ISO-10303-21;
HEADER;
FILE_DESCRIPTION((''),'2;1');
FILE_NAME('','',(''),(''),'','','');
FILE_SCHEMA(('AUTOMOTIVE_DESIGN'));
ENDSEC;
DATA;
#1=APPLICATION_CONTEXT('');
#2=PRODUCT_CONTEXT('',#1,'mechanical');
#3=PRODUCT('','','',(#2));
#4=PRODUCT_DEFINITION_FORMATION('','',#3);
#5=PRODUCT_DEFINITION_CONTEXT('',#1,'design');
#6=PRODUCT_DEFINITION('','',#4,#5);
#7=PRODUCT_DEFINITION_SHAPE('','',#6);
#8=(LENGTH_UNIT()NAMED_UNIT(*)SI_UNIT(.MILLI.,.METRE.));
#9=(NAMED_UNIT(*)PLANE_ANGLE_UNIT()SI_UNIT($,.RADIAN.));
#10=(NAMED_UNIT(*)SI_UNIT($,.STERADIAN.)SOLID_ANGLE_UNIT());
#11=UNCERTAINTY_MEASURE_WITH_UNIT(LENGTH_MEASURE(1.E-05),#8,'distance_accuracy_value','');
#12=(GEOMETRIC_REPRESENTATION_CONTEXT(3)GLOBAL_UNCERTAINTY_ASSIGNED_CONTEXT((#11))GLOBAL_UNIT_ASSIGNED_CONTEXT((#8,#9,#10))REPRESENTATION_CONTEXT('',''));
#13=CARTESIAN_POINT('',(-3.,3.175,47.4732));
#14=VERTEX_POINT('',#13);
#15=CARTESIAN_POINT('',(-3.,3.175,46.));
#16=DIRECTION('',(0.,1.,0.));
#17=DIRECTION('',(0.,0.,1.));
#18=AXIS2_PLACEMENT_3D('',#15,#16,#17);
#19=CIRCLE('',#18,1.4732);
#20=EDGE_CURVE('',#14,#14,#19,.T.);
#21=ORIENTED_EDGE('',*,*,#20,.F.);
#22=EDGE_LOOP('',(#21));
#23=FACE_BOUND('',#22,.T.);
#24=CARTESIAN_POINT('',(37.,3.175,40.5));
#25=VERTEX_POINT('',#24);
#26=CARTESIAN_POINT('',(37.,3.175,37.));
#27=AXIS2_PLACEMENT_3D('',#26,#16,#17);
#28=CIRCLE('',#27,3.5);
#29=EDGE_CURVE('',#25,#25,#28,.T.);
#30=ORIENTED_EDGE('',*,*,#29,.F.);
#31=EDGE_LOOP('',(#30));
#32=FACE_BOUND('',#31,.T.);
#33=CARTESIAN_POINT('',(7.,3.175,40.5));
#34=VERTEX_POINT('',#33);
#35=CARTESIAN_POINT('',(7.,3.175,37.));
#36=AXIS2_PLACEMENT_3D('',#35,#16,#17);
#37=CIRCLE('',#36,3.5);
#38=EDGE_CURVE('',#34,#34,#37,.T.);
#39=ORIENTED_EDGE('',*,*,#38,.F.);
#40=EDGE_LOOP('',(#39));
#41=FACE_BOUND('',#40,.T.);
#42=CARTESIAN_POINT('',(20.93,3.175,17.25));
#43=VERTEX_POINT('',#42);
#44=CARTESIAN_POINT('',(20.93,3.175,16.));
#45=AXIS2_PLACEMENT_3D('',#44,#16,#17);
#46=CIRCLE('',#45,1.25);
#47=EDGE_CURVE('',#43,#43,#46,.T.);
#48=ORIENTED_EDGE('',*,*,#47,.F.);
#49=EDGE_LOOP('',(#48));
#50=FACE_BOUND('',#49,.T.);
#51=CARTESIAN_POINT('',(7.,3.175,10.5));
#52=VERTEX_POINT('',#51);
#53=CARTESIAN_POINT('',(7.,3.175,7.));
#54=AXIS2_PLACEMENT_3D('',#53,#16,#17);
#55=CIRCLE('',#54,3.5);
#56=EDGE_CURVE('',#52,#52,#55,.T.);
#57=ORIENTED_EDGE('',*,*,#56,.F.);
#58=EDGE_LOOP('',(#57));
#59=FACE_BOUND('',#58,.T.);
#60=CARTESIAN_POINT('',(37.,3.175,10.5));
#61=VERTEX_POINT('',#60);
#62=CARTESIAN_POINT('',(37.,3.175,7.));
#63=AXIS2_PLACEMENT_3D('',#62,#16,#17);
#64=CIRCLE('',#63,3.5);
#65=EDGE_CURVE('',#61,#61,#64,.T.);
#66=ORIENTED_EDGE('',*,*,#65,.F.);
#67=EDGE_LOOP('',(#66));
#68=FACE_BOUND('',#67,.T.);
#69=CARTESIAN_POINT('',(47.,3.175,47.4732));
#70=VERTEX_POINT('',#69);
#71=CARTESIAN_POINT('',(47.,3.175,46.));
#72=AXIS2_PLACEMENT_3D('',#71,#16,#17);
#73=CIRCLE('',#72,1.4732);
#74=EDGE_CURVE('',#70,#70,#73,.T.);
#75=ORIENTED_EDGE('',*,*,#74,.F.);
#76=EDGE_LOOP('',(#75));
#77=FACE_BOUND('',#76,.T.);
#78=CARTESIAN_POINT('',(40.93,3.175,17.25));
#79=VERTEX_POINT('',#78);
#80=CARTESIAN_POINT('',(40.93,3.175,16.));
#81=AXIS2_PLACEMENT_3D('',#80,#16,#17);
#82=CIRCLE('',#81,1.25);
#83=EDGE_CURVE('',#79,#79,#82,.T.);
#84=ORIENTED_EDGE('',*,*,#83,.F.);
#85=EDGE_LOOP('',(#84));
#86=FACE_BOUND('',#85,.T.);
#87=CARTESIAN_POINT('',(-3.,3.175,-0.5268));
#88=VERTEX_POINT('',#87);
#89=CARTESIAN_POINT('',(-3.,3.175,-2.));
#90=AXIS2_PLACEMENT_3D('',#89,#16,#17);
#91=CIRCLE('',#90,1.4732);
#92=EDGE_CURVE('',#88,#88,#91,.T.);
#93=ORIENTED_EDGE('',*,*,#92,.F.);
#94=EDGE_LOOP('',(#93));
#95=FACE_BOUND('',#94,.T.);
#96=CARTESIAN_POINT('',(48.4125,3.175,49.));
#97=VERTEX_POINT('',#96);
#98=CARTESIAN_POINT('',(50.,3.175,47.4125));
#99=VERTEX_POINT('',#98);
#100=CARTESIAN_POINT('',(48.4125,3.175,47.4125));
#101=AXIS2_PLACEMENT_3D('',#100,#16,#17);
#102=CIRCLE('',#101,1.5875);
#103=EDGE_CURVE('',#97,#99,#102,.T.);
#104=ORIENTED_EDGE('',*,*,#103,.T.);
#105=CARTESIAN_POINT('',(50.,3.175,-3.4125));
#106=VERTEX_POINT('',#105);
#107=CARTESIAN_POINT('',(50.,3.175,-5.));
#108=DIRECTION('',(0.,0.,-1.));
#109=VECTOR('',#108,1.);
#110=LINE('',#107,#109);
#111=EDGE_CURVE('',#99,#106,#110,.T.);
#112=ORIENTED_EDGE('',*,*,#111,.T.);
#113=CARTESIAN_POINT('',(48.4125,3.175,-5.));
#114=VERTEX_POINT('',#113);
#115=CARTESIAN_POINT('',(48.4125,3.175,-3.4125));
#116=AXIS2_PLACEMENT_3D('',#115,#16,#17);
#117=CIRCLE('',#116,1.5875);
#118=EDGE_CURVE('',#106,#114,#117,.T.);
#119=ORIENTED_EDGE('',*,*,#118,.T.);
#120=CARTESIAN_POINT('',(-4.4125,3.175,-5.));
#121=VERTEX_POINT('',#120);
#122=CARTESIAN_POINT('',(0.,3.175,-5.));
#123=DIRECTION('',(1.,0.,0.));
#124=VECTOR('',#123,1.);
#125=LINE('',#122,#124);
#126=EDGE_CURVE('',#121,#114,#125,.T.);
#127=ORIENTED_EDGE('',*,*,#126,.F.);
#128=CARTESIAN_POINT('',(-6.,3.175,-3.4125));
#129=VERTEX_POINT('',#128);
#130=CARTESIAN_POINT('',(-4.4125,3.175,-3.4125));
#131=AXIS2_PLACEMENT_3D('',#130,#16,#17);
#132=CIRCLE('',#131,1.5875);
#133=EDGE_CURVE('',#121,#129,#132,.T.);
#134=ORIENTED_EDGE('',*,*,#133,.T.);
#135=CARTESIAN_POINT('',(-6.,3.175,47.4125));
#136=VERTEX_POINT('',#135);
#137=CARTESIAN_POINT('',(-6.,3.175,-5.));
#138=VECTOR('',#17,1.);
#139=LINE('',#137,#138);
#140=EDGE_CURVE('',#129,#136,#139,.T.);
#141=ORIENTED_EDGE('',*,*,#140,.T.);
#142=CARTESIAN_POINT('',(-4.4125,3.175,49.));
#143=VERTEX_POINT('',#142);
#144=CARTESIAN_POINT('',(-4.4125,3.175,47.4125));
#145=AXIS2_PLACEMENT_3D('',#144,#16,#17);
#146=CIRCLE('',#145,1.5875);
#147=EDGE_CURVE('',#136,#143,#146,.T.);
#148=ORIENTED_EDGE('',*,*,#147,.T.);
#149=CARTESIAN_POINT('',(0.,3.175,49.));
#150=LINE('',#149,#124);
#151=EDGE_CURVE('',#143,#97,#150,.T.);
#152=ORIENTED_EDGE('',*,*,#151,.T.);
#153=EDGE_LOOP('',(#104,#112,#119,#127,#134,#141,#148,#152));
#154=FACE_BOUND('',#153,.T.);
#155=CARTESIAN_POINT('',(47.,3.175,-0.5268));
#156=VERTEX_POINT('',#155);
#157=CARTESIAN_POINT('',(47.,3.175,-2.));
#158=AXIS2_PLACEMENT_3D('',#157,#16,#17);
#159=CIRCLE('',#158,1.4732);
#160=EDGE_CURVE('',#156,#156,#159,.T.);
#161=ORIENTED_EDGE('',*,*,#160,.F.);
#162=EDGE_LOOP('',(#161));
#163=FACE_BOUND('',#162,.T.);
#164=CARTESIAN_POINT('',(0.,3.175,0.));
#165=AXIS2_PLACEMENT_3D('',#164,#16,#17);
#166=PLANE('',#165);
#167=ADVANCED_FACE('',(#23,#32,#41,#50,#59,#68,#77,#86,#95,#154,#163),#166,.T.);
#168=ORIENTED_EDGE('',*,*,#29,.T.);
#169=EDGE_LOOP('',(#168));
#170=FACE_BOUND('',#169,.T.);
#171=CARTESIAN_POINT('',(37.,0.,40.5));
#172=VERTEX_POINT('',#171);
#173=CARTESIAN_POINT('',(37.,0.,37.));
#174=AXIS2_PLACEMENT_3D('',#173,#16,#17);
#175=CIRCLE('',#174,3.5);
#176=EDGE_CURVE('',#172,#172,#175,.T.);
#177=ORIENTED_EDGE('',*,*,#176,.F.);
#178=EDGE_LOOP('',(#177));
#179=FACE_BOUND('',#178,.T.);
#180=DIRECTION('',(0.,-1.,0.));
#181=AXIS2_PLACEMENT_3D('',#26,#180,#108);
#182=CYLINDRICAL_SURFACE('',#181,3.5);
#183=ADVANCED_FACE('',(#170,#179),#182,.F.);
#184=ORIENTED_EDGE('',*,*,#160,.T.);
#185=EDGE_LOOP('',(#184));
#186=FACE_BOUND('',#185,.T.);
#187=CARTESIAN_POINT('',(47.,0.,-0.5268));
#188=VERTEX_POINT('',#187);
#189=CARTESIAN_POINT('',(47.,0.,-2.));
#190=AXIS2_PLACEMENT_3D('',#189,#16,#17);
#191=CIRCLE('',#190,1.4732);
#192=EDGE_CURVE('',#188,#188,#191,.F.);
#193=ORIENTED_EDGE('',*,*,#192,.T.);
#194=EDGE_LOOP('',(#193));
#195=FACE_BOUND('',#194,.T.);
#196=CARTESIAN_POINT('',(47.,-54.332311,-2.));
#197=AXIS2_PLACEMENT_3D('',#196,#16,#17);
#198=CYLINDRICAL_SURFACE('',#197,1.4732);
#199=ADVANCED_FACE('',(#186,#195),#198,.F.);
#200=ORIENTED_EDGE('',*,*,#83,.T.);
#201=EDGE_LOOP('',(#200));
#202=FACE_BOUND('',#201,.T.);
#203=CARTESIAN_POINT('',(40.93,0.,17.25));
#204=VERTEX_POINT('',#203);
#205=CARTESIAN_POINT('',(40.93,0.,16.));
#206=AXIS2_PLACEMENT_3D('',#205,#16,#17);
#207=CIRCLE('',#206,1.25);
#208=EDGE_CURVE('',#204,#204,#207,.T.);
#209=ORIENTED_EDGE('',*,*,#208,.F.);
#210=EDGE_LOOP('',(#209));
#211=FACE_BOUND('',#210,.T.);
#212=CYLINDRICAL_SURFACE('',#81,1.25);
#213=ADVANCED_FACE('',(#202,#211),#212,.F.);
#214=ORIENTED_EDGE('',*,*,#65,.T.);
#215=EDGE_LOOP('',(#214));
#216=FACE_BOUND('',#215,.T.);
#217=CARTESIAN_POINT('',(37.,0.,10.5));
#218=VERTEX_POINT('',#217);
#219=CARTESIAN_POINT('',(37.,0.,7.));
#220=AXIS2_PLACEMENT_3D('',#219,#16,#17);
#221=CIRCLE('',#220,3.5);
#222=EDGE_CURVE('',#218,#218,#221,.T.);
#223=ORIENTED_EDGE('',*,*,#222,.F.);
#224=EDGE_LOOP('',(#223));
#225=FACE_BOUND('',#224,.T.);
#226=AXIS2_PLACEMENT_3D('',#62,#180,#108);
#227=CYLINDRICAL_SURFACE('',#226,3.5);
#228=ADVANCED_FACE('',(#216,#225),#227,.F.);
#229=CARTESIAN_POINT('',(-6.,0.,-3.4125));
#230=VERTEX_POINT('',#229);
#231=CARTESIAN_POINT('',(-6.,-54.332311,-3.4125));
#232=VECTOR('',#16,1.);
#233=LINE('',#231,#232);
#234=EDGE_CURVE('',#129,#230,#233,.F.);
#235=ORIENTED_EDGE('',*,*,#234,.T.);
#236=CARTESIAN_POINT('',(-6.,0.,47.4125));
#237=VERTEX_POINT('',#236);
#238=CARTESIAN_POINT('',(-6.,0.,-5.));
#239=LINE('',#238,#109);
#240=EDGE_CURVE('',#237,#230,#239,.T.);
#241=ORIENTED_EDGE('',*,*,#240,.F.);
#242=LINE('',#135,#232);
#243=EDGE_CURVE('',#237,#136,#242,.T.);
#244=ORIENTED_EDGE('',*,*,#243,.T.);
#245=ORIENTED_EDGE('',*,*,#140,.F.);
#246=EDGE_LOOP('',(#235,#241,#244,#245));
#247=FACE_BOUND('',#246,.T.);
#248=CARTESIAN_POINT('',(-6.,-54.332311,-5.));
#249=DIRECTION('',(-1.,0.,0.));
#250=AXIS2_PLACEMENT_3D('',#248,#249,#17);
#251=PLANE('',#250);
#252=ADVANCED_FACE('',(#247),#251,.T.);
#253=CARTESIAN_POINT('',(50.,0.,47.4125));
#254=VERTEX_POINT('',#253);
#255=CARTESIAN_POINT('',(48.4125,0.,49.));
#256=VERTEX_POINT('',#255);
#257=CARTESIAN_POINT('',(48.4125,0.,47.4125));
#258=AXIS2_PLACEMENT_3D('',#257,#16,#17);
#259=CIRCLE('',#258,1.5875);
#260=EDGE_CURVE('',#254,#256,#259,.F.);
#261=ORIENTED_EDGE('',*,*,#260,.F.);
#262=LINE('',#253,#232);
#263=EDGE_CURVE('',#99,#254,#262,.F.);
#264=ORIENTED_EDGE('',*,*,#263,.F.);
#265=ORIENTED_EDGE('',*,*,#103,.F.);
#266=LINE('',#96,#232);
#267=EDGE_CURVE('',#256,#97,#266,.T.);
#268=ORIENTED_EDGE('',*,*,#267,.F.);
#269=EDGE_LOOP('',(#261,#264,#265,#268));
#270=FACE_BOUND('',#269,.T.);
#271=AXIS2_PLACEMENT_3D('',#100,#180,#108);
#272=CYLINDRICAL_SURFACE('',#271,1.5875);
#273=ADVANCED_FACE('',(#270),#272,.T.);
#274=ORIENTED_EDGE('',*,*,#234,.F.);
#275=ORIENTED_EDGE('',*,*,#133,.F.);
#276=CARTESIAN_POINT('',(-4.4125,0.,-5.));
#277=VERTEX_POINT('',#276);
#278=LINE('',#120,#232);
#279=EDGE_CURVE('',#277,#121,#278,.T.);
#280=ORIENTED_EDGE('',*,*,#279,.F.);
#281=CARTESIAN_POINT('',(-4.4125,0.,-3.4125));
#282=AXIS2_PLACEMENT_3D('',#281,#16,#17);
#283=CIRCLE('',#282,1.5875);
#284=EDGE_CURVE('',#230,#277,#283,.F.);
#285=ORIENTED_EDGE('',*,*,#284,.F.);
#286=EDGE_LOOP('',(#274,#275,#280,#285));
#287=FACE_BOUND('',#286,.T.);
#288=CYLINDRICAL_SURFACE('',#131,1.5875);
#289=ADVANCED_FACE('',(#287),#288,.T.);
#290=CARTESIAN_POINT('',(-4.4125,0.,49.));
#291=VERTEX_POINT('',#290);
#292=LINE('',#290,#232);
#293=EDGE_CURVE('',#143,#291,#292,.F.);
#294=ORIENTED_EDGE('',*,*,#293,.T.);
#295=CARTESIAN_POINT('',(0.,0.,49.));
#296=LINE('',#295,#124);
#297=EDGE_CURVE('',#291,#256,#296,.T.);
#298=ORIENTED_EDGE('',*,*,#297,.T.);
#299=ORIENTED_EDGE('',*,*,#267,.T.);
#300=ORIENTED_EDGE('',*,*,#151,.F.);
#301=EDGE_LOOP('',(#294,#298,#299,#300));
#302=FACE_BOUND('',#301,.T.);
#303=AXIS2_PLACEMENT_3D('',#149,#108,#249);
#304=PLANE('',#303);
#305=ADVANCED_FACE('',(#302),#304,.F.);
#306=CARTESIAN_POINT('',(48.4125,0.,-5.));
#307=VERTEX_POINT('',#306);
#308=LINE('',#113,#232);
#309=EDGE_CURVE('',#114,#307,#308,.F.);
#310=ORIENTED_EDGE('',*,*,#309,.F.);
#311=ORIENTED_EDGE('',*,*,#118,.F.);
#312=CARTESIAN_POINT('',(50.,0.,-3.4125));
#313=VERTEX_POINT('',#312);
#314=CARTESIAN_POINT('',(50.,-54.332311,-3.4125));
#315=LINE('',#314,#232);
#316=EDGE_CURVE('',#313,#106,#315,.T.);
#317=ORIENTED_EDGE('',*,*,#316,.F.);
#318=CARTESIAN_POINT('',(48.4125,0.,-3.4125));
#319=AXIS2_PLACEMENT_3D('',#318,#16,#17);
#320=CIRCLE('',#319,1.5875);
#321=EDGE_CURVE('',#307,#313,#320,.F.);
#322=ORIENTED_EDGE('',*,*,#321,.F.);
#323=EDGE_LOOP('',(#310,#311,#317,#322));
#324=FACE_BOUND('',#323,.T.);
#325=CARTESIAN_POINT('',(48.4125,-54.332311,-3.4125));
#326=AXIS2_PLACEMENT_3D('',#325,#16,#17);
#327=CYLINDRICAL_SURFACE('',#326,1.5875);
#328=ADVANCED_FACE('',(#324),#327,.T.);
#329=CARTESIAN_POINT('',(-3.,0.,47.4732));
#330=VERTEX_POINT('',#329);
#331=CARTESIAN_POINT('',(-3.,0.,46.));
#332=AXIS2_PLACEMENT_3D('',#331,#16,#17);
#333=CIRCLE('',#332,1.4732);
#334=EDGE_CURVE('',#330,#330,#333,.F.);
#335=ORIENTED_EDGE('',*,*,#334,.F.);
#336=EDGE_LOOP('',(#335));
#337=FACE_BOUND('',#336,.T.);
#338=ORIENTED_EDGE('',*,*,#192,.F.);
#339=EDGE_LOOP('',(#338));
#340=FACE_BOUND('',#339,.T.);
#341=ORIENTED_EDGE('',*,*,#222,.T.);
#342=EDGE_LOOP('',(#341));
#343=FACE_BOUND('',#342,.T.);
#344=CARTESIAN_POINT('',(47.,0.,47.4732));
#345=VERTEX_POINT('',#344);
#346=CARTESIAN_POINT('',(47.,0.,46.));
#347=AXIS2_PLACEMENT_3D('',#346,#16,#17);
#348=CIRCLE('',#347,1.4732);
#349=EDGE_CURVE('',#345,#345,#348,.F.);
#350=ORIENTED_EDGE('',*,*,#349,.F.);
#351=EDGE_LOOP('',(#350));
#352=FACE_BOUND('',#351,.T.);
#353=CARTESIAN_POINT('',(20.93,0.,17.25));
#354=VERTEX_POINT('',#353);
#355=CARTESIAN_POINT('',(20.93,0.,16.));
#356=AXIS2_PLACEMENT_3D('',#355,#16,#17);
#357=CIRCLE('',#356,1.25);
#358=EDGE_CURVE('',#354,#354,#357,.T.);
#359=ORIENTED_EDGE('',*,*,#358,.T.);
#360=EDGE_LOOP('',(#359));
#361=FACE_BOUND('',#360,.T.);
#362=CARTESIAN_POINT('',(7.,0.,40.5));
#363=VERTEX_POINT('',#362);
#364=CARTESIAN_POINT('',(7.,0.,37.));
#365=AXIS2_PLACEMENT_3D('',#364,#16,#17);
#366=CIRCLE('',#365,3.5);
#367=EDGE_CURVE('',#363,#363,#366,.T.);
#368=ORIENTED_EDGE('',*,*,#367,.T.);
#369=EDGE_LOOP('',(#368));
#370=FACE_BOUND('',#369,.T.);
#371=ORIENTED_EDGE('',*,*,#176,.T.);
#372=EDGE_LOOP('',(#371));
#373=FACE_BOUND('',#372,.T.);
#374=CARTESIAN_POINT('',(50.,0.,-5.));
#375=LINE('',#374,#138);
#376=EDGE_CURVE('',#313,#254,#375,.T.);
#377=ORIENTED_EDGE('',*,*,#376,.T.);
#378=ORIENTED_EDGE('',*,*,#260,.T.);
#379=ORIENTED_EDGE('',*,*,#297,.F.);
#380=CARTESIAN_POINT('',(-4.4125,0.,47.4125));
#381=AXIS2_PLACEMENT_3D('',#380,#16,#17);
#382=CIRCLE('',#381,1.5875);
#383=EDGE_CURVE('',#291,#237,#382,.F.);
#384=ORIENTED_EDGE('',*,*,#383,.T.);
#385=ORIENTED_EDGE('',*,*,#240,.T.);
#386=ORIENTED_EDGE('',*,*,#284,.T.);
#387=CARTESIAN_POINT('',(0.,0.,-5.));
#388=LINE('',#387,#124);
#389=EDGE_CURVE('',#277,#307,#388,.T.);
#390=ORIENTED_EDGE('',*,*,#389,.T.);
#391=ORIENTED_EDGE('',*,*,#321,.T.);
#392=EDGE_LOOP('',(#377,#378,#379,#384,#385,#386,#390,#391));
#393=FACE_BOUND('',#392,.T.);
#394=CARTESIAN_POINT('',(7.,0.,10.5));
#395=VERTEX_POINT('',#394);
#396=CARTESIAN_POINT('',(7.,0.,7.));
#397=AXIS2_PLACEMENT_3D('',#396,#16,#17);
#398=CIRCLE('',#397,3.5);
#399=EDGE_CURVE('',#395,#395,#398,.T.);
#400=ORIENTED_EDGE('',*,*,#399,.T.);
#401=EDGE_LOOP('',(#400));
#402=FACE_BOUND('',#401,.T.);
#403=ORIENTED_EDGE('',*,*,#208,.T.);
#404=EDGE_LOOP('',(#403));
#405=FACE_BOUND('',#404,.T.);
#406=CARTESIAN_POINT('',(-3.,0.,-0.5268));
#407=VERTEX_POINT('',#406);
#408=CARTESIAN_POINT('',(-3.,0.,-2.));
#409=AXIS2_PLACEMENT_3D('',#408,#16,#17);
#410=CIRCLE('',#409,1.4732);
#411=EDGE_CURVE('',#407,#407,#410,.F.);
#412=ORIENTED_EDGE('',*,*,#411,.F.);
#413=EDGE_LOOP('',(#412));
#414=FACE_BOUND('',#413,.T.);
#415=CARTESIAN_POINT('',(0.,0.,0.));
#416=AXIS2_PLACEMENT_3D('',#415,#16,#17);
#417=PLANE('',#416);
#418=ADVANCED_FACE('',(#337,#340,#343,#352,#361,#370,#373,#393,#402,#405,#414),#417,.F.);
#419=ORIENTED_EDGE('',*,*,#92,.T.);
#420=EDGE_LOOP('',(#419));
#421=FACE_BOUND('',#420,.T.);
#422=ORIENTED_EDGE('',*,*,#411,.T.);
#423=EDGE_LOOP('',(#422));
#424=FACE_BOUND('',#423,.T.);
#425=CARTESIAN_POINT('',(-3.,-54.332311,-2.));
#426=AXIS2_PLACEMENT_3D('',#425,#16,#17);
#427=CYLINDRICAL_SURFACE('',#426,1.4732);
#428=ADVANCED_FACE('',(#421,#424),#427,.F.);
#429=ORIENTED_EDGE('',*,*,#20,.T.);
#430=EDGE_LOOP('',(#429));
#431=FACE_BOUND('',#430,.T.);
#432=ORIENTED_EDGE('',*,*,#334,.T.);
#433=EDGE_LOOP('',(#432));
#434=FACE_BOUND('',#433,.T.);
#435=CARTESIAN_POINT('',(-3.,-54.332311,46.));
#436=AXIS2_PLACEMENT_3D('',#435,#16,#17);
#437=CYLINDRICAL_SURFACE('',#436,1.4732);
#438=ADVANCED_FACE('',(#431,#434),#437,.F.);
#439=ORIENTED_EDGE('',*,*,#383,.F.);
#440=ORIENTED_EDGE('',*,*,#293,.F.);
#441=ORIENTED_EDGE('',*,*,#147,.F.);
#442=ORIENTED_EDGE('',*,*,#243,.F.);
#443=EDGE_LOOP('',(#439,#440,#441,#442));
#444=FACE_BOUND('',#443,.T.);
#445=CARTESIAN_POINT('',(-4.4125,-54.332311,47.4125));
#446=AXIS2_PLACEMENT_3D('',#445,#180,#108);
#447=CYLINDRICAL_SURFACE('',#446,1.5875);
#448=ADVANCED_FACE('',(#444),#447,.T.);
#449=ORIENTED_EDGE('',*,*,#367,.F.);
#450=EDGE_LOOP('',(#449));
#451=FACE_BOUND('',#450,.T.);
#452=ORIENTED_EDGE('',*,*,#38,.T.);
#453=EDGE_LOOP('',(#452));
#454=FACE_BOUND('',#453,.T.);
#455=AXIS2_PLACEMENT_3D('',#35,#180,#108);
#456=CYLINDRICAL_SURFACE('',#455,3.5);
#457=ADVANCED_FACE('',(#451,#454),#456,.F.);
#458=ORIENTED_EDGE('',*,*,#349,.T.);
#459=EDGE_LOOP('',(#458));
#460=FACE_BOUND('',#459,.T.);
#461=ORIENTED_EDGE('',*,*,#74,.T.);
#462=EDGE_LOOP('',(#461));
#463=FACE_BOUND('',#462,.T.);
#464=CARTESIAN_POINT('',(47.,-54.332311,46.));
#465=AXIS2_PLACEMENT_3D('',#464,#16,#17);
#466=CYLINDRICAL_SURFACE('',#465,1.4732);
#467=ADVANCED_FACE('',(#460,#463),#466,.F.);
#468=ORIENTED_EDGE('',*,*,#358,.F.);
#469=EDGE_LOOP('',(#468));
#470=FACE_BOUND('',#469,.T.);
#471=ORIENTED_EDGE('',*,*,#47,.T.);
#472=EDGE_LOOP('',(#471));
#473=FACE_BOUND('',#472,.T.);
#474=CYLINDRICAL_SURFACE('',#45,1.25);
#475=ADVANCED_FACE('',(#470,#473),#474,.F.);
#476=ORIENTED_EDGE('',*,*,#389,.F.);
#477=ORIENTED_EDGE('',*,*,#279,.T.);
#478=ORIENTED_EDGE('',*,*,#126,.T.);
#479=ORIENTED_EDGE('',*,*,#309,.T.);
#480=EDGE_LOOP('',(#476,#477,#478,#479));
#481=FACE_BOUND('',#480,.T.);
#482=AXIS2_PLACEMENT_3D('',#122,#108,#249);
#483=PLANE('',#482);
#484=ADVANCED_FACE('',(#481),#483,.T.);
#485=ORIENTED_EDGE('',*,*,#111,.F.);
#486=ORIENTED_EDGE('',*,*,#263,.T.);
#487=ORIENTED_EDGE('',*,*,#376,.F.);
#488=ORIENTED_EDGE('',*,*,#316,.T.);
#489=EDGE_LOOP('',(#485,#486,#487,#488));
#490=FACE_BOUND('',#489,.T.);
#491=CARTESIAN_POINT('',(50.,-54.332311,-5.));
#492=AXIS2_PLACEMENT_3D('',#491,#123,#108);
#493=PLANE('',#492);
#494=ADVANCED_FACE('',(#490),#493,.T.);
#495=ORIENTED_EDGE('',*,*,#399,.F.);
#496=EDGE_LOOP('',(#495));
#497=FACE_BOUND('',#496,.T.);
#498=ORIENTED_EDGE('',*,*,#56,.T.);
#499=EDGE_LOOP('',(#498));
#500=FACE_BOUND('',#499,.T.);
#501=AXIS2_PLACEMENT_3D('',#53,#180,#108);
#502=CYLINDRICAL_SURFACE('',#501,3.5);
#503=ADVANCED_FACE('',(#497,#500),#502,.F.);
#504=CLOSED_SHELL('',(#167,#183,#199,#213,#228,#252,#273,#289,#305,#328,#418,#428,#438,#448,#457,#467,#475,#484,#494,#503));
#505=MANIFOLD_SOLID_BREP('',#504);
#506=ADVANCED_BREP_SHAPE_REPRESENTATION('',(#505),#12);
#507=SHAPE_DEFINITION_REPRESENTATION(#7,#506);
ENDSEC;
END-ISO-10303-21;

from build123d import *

# Parameters (mm, degrees)
SKETCH1_W             = 44
SKETCH1_H             = 44
SKETCH1_R             = 0.5
SKETCH1_R_2           = 3.5
SKETCH1_H_2           = 5
BOSS_EXTRUDE1_DEPTH   = 3.175
SKETCH3_W             = 6
SKETCH3_H             = 54
SKETCH3_R             = 1.4732
BOSS_EXTRUDE2_DEPTH   = 3.175
M3X0_5_TAPPED_HOLE1_D = 2.5
FILLET1_R             = 1.5875


with BuildPart() as part:
    # Sketch1 → Boss-Extrude1 (new body)
    # profile 1 of 3: a face of its own
    with BuildSketch(Plane(origin=(0, 0, 0), x_dir=(1, 0, 0), z_dir=(0, 1, 0))):
        with Locations((22, -22)):
            Rectangle(SKETCH1_W, SKETCH1_H)
        with Locations(Location((40.93, -16, 0), (0, 0, 270))):
            Circle(SKETCH1_R, mode=Mode.SUBTRACT)
        with Locations(Location((20.93, -16, 0), (0, 0, 270))):
            Circle(SKETCH1_R, mode=Mode.SUBTRACT)
        with Locations(Location((7, -37, 0), (0, 0, 270))):
            Circle(SKETCH1_R_2, mode=Mode.SUBTRACT)
        with Locations(Location((37, -37, 0), (0, 0, 270))):
            Circle(SKETCH1_R_2, mode=Mode.SUBTRACT)
        with Locations(Location((37, -7, 0), (0, 0, 270))):
            Circle(SKETCH1_R_2, mode=Mode.SUBTRACT)
        with Locations(Location((7, -7, 0), (0, 0, 270))):
            Circle(SKETCH1_R_2, mode=Mode.SUBTRACT)
    # profile 2 of 3: a face of its own
    with BuildSketch(Plane(origin=(0, 0, 0), x_dir=(1, 0, 0), z_dir=(0, 1, 0))):
        with Locations((22, 2.5)):
            Rectangle(SKETCH1_W, SKETCH1_H_2)
    # profile 3 of 3: a face of its own
    with BuildSketch(Plane(origin=(0, 0, 0), x_dir=(1, 0, 0), z_dir=(0, 1, 0))):
        with Locations((22, -46.5)):
            Rectangle(SKETCH1_W, SKETCH1_H_2)
    extrude(amount=BOSS_EXTRUDE1_DEPTH)

    # Sketch3 → Boss-Extrude2 (add)
    # profile 1 of 2: a face of its own
    with BuildSketch(Plane(origin=(0, 3.175, 0), x_dir=(1, 0, 0), z_dir=(0, 1, 0))):
        with Locations((-3, -22)):
            Rectangle(SKETCH3_W, SKETCH3_H)
        with Locations(Location((-3, 2, 0), (0, 0, 270))):
            Circle(SKETCH3_R, mode=Mode.SUBTRACT)
        with Locations(Location((-3, -46, 0), (0, 0, 270))):
            Circle(SKETCH3_R, mode=Mode.SUBTRACT)
    # profile 2 of 2: a face of its own
    with BuildSketch(Plane(origin=(0, 3.175, 0), x_dir=(1, 0, 0), z_dir=(0, 1, 0))):
        with Locations((47, -22)):
            Rectangle(SKETCH3_W, SKETCH3_H)
        with Locations(Location((47, -46, 0), (0, 0, 270))):
            Circle(SKETCH3_R, mode=Mode.SUBTRACT)
        with Locations(Location((47, 2, 0), (0, 0, 270))):
            Circle(SKETCH3_R, mode=Mode.SUBTRACT)
    extrude(amount=-BOSS_EXTRUDE2_DEPTH)

    # M3x0.5 Tapped Hole1 (through all)
    with Locations(Plane(origin=(40.93, 3.175, 16), x_dir=(0, 0, 1), z_dir=(0, 1, 0))):
        with Locations((0, 0), (0, -20)):
            Hole(M3X0_5_TAPPED_HOLE1_D / 2)

    # Fillet1
    fillet1_edges = [part.edges().sort_by_distance(p)[0] for p in [
        (-6, 1.5875, -5),
        (-6, 1.5875, 49),
        (50, 1.5875, 49),
        (50, 1.5875, -5),
    ]]
    fillet(fillet1_edges, radius=FILLET1_R)


solid = part.part
